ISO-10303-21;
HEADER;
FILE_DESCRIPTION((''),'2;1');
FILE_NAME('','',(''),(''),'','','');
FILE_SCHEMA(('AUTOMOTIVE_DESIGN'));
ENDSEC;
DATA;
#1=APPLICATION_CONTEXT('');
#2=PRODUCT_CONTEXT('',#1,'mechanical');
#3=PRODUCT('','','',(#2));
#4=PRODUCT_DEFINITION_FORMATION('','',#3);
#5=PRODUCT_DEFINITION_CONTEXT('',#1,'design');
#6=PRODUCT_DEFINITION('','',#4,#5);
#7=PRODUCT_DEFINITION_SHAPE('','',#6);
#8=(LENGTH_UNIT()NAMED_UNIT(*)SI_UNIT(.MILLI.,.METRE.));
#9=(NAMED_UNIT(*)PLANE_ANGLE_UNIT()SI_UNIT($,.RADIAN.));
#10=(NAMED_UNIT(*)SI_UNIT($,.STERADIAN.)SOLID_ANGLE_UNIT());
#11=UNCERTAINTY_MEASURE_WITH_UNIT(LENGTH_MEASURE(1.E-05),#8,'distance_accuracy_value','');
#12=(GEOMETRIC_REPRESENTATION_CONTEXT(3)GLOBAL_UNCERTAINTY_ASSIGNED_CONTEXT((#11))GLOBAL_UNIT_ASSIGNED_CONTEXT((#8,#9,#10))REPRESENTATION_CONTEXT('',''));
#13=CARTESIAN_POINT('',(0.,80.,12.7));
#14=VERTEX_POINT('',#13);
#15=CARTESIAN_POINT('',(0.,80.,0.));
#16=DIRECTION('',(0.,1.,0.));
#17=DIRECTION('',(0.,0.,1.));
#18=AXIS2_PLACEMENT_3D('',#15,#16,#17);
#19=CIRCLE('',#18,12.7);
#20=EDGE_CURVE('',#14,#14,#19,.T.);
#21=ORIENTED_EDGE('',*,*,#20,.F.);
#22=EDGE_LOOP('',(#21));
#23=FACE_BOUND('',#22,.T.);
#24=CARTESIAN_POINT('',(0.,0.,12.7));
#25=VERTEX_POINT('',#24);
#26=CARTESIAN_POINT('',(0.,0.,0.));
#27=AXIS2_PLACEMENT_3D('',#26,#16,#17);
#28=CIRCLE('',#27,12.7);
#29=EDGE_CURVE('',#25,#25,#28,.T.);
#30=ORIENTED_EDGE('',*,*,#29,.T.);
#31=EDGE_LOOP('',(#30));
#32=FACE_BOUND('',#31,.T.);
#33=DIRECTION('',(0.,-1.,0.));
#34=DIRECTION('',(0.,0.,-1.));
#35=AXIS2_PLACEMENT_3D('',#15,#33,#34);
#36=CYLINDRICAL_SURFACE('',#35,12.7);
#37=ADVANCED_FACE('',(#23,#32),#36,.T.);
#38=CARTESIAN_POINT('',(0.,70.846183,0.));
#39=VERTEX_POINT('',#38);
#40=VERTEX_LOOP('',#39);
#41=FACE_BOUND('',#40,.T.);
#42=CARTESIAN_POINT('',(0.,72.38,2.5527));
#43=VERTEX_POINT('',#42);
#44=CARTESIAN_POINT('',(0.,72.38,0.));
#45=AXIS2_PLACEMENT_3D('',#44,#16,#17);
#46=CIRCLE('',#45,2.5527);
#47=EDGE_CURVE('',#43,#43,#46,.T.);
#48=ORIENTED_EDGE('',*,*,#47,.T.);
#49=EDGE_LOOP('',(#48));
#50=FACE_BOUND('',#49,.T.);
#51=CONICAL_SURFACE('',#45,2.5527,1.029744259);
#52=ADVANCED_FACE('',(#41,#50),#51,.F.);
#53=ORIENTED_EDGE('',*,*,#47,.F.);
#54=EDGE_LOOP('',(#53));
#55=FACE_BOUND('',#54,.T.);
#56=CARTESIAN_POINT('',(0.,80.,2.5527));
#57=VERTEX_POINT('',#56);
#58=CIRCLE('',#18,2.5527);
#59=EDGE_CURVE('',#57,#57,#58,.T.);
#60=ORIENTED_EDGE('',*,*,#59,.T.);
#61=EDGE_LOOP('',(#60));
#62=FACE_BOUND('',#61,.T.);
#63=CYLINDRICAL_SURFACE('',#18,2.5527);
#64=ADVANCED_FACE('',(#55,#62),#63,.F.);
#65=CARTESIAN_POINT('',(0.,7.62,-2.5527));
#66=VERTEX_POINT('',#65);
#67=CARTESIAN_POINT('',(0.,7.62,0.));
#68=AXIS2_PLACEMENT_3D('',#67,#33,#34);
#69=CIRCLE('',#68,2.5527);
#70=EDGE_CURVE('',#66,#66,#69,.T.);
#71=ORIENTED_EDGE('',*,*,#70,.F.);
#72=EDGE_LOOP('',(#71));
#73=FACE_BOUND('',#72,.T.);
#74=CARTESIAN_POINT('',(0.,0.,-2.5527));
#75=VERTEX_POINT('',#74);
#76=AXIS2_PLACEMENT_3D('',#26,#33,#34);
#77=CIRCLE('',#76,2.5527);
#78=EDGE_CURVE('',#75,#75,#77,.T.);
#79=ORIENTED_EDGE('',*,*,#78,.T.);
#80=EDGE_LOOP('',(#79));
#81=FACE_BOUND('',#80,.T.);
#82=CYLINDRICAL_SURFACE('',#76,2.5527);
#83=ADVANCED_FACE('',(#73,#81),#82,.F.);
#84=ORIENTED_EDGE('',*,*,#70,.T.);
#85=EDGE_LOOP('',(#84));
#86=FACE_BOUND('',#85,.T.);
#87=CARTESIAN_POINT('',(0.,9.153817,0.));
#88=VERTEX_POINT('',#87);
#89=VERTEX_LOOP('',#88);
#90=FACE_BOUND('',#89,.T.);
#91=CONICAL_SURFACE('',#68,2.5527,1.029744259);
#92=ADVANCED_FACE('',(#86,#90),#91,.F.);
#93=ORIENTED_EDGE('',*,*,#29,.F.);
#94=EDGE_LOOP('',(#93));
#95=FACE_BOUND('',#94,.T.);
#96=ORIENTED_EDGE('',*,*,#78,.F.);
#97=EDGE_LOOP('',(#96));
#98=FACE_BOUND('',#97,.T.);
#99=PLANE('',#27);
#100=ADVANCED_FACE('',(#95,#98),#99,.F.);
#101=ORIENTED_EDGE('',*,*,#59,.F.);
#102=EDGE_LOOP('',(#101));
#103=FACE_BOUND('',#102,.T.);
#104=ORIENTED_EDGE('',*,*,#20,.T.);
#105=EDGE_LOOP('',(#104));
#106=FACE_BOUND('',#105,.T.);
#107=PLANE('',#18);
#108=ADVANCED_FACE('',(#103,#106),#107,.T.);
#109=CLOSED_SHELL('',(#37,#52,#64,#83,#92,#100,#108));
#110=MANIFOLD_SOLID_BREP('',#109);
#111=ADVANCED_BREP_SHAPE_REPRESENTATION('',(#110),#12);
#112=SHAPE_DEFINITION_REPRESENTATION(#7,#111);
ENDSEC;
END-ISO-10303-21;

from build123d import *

# Parameters (mm, degrees)
SKETCH1_R                       = 12.7
BOSS_EXTRUDE1_DEPTH             = 80
TAP_DRILL_FOR_1_4_20_TAP1_D     = 5.1054
TAP_DRILL_FOR_1_4_20_TAP1_DEPTH = 7.62
TAP_DRILL_FOR_1_4_20_TAP1_TIP   = 1.533816902
TAP_DRILL_FOR_1_4_20_TAP2_D     = 5.1054
TAP_DRILL_FOR_1_4_20_TAP2_DEPTH = 7.62
TAP_DRILL_FOR_1_4_20_TAP2_TIP   = 1.533816902


with BuildPart() as part:
    # Sketch1 → Boss-Extrude1 (new body)
    with BuildSketch(Plane(origin=(0, 0, 0), x_dir=(1, 0, 0), z_dir=(0, 1, 0))):
        with Locations(Location((0, 0, 0), (0, 0, 270))):
            Circle(SKETCH1_R)
    extrude(amount=BOSS_EXTRUDE1_DEPTH)

    # Tap Drill for 1/4-20 Tap1
    with Locations(Plane.XZ):
        with Locations((0, 0)):
            Hole(TAP_DRILL_FOR_1_4_20_TAP1_D / 2, depth=TAP_DRILL_FOR_1_4_20_TAP1_DEPTH)
            with Locations((0, 0, -(TAP_DRILL_FOR_1_4_20_TAP1_DEPTH + TAP_DRILL_FOR_1_4_20_TAP1_TIP / 2))):  # 118° drill point
                Cone(0, TAP_DRILL_FOR_1_4_20_TAP1_D / 2, TAP_DRILL_FOR_1_4_20_TAP1_TIP, mode=Mode.SUBTRACT)

    # Tap Drill for 1/4-20 Tap2
    with Locations(Plane(origin=(0, 80, 0), x_dir=(1, 0, 0), z_dir=(0, 1, 0))):
        with Locations((0, 0)):
            Hole(TAP_DRILL_FOR_1_4_20_TAP2_D / 2, depth=TAP_DRILL_FOR_1_4_20_TAP2_DEPTH)
            with Locations((0, 0, -(TAP_DRILL_FOR_1_4_20_TAP2_DEPTH + TAP_DRILL_FOR_1_4_20_TAP2_TIP / 2))):  # 118° drill point
                Cone(0, TAP_DRILL_FOR_1_4_20_TAP2_D / 2, TAP_DRILL_FOR_1_4_20_TAP2_TIP, mode=Mode.SUBTRACT)


solid = part.part
